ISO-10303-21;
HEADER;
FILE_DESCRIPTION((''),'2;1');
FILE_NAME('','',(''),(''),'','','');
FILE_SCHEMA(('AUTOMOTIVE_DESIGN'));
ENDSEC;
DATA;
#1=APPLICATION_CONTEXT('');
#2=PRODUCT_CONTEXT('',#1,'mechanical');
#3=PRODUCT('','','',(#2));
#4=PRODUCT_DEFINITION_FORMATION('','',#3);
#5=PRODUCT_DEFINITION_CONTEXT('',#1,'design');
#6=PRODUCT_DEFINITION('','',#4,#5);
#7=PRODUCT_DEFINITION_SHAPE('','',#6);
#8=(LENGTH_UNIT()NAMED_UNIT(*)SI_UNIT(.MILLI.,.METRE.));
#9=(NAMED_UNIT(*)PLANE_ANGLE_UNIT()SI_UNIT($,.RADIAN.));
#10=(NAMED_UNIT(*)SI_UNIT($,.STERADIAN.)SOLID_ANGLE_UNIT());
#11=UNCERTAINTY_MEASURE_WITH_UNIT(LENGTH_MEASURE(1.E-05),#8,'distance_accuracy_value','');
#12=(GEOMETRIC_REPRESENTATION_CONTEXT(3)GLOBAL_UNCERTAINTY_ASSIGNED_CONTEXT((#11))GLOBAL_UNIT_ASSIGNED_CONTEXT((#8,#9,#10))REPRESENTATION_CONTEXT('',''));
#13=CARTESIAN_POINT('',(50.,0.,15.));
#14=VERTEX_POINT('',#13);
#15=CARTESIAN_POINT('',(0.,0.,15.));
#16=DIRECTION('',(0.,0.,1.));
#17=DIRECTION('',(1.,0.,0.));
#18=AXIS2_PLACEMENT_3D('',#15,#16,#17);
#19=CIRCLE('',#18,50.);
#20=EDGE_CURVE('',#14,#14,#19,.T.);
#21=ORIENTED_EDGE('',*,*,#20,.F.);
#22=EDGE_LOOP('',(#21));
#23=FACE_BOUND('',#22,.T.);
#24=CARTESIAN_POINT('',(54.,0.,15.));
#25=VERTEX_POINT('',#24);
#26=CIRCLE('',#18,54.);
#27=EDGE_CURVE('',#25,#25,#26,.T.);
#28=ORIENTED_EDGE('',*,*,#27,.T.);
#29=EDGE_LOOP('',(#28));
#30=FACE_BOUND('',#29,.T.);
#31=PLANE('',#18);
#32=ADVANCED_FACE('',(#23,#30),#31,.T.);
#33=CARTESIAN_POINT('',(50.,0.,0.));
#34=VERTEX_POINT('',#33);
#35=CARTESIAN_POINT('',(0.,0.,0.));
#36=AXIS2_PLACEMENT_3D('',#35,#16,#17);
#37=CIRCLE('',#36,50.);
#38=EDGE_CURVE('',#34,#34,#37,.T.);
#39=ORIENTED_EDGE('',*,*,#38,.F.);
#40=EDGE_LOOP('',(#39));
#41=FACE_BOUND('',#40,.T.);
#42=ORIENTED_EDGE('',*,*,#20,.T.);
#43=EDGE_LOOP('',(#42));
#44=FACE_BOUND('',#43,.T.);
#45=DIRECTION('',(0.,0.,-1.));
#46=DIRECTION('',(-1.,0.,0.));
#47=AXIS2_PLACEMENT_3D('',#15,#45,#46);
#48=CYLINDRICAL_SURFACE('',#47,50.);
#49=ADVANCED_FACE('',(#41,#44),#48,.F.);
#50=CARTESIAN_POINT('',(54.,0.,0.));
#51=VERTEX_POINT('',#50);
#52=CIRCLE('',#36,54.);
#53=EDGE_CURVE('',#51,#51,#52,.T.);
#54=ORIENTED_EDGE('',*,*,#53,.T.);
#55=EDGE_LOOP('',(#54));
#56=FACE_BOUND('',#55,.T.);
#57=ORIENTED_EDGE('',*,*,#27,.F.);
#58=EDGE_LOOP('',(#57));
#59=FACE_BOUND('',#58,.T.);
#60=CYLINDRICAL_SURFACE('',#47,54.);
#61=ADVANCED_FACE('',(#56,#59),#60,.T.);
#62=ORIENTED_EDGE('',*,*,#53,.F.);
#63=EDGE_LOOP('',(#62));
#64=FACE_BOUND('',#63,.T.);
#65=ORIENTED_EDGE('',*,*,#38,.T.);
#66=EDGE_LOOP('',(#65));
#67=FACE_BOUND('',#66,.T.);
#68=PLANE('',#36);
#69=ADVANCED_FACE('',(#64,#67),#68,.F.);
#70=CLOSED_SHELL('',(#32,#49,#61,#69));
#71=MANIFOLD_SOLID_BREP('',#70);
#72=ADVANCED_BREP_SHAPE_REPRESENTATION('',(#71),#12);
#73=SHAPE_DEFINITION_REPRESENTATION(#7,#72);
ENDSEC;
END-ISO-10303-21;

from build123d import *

# Parameters (mm, degrees)
SKETCH1_R           = 54
SKETCH1_R_2         = 50
BOSS_EXTRUDE1_DEPTH = 15


with BuildPart() as part:
    # Sketch1 → Boss-Extrude1 (new body)
    with BuildSketch(Plane.XY):
        Circle(SKETCH1_R)
        Circle(SKETCH1_R_2, mode=Mode.SUBTRACT)
    extrude(amount=BOSS_EXTRUDE1_DEPTH)


solid = part.part
